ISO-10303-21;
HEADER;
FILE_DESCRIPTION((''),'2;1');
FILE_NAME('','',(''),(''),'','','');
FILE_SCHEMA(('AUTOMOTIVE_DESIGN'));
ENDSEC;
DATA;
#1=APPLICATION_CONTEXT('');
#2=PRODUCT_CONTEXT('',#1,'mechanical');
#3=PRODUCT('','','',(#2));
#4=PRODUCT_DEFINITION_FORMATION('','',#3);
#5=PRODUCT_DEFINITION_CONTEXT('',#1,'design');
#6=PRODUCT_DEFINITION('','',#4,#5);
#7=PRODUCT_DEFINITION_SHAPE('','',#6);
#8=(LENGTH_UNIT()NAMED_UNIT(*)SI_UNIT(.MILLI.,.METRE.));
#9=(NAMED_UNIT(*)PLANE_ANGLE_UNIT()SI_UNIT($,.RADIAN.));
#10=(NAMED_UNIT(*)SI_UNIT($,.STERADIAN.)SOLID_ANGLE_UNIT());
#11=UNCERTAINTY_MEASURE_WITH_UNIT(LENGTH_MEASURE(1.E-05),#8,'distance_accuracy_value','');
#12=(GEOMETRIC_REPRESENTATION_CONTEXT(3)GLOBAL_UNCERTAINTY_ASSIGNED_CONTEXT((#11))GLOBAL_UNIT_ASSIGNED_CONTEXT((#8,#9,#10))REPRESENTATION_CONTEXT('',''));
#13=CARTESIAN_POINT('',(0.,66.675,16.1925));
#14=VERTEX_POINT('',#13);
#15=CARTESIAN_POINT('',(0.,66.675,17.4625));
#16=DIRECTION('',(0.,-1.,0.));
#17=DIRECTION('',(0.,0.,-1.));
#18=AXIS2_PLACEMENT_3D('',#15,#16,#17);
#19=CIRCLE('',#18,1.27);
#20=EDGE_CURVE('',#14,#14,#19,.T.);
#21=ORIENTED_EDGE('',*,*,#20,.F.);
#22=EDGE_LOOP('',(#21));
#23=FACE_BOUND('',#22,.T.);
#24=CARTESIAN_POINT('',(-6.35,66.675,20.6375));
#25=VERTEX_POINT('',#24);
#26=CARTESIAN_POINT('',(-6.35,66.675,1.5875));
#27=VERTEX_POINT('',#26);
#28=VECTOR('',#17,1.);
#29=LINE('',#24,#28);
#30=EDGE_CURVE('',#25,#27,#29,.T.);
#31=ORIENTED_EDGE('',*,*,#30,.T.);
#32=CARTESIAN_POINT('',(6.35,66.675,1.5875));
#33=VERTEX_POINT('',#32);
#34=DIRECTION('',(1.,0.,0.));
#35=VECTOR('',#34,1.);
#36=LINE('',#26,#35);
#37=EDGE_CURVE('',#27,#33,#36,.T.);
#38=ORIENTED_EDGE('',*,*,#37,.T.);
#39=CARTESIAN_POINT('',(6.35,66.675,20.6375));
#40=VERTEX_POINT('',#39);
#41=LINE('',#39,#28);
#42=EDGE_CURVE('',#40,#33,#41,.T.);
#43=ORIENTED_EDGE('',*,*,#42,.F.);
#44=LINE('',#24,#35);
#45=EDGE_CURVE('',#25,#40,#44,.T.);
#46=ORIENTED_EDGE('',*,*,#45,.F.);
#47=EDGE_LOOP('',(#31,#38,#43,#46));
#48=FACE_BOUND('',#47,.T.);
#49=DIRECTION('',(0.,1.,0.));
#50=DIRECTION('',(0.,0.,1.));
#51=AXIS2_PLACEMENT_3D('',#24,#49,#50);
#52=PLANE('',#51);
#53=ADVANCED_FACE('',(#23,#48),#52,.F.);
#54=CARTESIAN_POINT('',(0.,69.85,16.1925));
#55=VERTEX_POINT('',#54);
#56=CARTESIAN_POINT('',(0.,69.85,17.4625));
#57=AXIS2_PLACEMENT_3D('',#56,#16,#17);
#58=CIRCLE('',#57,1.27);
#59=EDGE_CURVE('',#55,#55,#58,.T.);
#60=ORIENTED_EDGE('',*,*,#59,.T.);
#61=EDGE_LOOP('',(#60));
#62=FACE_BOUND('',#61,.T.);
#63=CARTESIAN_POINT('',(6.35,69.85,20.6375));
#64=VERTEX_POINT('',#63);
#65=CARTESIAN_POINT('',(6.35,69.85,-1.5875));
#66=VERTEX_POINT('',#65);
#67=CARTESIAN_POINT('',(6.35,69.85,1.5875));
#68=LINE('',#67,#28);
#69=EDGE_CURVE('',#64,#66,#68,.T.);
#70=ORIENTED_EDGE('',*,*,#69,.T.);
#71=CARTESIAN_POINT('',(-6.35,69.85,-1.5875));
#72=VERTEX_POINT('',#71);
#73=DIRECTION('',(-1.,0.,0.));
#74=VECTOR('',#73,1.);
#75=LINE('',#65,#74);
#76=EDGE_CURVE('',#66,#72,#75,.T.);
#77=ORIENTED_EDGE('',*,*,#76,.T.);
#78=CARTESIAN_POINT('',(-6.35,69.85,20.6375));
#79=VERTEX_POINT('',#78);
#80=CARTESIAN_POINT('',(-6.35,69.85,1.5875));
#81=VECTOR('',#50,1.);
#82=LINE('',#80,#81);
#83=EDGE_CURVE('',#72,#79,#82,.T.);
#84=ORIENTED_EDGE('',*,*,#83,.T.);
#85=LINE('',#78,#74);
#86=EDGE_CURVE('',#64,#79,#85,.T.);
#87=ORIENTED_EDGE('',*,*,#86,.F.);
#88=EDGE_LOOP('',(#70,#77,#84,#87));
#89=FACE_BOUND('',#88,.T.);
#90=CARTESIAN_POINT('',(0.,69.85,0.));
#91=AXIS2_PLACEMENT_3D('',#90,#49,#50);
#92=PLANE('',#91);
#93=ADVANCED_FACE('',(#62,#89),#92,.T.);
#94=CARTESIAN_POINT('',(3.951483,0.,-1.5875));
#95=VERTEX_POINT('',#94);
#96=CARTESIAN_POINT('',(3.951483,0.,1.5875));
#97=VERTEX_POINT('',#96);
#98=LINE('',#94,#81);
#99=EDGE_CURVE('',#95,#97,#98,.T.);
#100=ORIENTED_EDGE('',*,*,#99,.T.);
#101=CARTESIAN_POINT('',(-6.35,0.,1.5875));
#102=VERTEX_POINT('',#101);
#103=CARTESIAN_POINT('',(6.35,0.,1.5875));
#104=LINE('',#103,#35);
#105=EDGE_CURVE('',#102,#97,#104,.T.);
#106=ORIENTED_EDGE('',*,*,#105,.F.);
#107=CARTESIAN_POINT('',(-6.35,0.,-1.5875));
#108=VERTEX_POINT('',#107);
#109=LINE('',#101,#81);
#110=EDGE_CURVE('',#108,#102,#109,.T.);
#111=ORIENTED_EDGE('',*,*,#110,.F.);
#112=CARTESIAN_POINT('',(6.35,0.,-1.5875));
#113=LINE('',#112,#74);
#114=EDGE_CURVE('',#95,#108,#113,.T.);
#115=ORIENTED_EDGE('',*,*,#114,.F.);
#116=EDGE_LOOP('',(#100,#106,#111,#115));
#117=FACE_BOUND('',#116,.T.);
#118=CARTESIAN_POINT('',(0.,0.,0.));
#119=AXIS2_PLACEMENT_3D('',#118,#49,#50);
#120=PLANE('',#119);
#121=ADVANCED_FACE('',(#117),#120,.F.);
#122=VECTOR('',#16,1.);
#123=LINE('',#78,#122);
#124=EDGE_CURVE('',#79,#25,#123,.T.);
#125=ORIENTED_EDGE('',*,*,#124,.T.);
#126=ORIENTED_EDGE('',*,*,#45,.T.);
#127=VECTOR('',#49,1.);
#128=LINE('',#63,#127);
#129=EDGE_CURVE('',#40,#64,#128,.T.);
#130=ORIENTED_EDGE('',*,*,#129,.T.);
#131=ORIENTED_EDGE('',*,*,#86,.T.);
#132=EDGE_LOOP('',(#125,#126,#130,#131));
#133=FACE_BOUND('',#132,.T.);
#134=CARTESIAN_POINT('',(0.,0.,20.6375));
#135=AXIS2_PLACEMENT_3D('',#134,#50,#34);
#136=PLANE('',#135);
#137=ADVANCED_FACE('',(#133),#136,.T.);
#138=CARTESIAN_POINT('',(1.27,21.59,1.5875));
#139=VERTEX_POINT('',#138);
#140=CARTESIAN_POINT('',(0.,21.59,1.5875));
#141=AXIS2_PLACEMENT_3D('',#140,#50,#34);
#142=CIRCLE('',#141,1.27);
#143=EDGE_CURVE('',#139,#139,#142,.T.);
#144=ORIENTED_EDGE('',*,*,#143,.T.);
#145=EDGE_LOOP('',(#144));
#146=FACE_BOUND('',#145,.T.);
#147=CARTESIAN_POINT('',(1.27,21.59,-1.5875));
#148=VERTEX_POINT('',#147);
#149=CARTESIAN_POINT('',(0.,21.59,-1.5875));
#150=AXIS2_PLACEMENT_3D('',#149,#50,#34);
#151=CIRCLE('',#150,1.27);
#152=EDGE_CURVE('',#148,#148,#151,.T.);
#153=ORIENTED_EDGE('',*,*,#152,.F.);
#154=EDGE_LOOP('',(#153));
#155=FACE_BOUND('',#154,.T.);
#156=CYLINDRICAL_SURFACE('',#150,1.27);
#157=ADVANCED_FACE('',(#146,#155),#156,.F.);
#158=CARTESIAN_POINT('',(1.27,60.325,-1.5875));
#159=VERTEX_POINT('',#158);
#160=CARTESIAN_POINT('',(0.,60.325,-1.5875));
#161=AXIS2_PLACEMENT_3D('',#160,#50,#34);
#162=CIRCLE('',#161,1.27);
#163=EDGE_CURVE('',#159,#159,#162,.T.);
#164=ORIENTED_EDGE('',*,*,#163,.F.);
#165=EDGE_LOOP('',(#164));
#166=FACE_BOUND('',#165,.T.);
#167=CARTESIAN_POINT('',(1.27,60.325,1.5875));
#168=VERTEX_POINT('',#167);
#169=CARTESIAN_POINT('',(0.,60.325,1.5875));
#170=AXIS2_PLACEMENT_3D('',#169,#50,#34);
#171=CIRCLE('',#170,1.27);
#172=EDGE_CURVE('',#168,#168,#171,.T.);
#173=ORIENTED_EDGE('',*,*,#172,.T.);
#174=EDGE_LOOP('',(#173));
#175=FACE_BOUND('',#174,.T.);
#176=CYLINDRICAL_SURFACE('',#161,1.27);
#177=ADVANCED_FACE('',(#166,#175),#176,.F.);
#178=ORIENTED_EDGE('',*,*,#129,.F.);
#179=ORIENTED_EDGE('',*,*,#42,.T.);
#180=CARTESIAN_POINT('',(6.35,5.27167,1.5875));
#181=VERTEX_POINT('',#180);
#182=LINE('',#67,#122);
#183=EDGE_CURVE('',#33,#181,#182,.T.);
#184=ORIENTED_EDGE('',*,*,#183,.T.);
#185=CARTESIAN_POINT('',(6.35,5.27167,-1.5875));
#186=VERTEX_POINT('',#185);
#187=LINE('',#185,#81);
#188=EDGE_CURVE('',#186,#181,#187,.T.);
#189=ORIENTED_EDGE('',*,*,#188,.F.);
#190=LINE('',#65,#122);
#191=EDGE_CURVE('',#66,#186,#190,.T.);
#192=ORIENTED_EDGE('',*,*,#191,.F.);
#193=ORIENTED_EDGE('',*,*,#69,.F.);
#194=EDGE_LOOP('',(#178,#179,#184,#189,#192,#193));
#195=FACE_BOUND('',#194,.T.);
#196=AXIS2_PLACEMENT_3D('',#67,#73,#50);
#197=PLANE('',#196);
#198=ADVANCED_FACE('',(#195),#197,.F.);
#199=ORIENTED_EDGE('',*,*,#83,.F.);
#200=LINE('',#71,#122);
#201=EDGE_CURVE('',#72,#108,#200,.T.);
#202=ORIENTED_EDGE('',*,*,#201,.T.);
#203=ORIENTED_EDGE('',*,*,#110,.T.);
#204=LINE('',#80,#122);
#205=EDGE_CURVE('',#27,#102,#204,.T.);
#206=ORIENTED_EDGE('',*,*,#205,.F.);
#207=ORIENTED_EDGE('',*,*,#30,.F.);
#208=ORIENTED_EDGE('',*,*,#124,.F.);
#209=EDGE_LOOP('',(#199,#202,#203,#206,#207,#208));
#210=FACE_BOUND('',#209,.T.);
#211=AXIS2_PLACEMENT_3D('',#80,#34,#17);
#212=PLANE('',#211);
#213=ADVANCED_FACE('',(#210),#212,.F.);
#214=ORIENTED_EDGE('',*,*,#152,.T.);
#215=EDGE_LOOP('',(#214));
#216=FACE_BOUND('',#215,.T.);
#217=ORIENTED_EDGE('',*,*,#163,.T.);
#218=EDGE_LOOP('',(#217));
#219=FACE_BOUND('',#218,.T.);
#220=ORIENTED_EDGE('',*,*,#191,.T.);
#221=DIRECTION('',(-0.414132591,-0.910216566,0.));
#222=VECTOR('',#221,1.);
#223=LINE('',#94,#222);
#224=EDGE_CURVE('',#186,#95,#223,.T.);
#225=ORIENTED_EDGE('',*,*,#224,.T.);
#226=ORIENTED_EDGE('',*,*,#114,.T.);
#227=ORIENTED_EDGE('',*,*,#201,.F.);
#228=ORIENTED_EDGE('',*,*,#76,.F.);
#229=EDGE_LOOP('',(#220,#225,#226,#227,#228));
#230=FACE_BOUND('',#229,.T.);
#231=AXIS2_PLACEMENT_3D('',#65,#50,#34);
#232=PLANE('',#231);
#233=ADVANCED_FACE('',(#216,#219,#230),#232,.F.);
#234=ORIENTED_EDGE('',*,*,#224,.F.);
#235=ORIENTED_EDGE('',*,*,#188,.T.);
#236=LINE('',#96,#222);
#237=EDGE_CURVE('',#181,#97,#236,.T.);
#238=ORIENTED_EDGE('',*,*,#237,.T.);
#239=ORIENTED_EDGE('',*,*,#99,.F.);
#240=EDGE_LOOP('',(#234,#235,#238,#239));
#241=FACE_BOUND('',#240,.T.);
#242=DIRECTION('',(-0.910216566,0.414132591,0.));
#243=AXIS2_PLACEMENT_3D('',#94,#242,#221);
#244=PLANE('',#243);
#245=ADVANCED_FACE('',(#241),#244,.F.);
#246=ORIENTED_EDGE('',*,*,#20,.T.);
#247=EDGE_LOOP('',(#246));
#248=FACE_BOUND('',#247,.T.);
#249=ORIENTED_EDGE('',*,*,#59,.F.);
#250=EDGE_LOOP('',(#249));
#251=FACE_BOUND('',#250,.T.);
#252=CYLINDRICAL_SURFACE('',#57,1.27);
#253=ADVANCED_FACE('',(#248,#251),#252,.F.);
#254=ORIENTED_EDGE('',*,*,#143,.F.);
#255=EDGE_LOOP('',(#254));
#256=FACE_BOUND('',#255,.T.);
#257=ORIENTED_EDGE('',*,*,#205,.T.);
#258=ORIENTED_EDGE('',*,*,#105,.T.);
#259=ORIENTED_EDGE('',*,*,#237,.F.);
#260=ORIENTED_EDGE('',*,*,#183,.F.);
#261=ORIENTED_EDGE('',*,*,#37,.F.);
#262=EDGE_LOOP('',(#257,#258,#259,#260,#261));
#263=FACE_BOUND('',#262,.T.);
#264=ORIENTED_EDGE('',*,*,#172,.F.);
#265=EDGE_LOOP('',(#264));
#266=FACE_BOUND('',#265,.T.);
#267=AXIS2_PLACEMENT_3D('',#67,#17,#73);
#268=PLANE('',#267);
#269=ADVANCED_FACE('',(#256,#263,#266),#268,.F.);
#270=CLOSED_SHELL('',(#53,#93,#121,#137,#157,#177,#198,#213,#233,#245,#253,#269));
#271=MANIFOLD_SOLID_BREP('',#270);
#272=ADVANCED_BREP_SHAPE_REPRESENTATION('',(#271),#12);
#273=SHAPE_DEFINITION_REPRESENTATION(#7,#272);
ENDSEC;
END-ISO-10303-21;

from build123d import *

# Parameters (mm, degrees)
SKETCH1_W           = 12.7
SKETCH1_H           = 3.175
BOSS_EXTRUDE1_DEPTH = 69.85
SKETCH2_W           = 12.7
SKETCH2_H           = 3.175
BOSS_EXTRUDE2_DEPTH = 19.05
SKETCH3_R           = 1.27
CUT_EXTRUDE1_DEPTH  = 71.084124673
SKETCH4_R           = 1.27
CUT_EXTRUDE2_DEPTH  = 73.679071953
CUT_EXTRUDE3_DEPTH  = 73.679071953


with BuildPart() as part:
    # Sketch1 → Boss-Extrude1 (new body)
    with BuildSketch(Plane(origin=(0, 0, 0), x_dir=(1, 0, 0), z_dir=(0, 1, 0))):
        Rectangle(SKETCH1_W, SKETCH1_H)
    extrude(amount=BOSS_EXTRUDE1_DEPTH)

    # Sketch2 → Boss-Extrude2 (add)
    with BuildSketch(Plane.XY.offset(1.5875)):
        with Locations((0, 68.2625)):
            Rectangle(SKETCH2_W, SKETCH2_H)
    extrude(amount=BOSS_EXTRUDE2_DEPTH)

    # Sketch3 → Cut-Extrude1 (cut, through all)
    with BuildSketch(Plane.XZ.offset(-66.675)):
        with Locations(Location((0, 17.4625, 0), (0, 0, 270))):
            Circle(SKETCH3_R)
    extrude(amount=-CUT_EXTRUDE1_DEPTH, mode=Mode.SUBTRACT)

    # Sketch4 → Cut-Extrude2 (cut, through all)
    with BuildSketch(Plane.XY.offset(1.5875)):
        with Locations((0, 21.59)):
            Circle(SKETCH4_R)
        with Locations((0, 60.325)):
            Circle(SKETCH4_R)
    extrude(amount=-CUT_EXTRUDE2_DEPTH, mode=Mode.SUBTRACT)

    # Sketch6 → Cut-Extrude3 (cut, through all)
    with BuildSketch(Plane.XY.offset(1.5875)):
        Polygon((3.951482723, 0), (6.35, 5.27166953), (6.35, 0), align=None)
    extrude(amount=-CUT_EXTRUDE3_DEPTH, mode=Mode.SUBTRACT)


solid = part.part
